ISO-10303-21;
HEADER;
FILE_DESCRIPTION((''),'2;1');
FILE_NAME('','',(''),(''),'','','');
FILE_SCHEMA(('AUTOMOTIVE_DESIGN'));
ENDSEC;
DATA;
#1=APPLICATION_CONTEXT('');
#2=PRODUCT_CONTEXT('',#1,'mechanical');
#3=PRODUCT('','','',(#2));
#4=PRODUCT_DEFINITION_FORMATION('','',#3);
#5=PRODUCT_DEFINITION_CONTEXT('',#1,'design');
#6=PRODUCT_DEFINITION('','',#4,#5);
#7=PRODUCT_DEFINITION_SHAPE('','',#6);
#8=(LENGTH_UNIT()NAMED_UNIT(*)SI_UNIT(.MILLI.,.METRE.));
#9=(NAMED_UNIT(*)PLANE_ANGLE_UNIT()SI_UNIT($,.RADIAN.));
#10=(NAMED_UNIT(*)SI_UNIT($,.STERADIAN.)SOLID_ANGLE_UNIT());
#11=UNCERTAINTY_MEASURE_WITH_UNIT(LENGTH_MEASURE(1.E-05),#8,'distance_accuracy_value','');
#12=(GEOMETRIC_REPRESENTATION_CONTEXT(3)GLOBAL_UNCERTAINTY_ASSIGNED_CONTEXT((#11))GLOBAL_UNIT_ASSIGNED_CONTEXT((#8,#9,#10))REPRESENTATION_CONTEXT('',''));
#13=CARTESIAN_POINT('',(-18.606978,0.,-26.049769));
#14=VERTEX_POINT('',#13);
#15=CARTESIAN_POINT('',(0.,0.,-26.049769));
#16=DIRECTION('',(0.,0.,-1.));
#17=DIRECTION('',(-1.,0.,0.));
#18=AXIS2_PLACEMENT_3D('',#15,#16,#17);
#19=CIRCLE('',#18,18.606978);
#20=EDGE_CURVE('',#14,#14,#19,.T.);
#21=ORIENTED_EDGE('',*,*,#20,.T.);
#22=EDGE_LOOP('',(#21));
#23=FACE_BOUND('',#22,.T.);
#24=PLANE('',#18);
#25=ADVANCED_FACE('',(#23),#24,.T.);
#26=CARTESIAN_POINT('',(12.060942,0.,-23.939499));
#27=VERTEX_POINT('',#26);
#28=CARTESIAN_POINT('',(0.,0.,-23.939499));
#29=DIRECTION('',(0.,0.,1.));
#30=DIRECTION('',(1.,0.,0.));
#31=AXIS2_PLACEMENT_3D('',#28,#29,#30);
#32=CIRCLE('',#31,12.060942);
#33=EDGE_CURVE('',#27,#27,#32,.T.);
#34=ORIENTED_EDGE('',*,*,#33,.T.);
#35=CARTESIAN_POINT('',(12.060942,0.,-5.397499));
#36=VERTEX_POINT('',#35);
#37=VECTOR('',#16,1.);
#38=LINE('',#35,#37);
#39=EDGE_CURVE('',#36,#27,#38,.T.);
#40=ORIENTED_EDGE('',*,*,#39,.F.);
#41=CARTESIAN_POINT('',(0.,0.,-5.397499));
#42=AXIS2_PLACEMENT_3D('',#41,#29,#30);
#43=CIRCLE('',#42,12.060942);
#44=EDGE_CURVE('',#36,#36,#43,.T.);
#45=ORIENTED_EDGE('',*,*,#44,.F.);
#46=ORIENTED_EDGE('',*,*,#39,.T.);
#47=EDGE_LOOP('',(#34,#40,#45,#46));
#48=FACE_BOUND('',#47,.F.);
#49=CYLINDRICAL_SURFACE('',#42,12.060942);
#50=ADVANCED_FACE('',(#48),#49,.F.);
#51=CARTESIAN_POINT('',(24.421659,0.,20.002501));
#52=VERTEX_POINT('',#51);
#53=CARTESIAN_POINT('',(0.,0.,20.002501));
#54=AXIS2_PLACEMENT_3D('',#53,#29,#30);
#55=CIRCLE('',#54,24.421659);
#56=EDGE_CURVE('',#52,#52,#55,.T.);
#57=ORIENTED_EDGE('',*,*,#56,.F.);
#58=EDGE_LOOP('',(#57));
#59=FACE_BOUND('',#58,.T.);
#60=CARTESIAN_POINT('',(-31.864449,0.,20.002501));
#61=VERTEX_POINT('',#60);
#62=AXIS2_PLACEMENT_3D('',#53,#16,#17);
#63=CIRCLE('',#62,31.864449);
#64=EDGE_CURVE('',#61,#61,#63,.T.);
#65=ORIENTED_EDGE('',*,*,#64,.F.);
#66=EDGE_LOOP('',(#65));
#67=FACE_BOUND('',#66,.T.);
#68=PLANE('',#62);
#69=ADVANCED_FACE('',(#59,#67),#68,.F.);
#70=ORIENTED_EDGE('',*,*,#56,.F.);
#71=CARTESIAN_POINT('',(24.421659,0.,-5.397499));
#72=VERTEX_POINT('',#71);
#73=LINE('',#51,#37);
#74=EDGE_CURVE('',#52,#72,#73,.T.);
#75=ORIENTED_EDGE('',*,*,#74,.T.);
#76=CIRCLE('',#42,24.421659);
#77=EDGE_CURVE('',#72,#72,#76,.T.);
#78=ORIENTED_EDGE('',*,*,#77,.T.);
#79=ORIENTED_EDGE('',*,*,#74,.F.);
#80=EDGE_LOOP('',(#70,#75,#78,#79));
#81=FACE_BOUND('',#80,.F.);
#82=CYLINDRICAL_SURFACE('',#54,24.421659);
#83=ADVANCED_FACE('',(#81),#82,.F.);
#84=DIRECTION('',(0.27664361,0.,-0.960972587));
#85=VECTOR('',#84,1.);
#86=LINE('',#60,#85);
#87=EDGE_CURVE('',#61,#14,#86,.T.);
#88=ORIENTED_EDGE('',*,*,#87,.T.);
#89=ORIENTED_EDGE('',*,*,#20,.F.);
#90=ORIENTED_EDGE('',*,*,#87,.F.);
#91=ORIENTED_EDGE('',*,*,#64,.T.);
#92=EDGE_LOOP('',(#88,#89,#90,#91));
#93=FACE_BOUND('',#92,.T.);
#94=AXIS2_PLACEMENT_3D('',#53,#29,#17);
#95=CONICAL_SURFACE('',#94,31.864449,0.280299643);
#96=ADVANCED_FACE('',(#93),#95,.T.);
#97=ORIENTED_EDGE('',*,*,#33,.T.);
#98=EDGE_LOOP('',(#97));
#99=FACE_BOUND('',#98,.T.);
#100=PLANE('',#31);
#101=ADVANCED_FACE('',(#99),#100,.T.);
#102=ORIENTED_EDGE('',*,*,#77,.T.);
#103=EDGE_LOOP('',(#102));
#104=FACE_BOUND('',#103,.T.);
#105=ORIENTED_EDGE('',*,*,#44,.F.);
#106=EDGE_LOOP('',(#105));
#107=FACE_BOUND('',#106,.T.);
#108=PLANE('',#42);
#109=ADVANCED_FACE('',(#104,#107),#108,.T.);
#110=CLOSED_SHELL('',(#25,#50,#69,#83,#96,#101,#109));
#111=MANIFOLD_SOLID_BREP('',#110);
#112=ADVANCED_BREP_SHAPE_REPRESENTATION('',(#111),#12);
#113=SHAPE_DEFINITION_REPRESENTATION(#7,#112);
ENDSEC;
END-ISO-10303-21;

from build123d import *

# Parameters (mm, degrees)
F2_R     = 24.421659
F3_DEPTH = 25.4
F4_R     = 12.060942
F5_DEPTH = 18.542


with BuildPart() as f1:
    # F0 (on Front) → F1 (revolve)
    with BuildSketch(Plane.XZ):
        Polygon((0, -26.049769), (0, 20.002501), (-31.864449, 20.002501), (-18.606978, -26.049769), align=None)
    revolve(axis=Axis((0, 0, -3.023634), (0, 0, -1)))

    # F2 (on face) → F3 (cut)
    with BuildSketch(Plane.XY.offset(20.002501)):
        Circle(F2_R)
    extrude(amount=-F3_DEPTH, mode=Mode.SUBTRACT)

    # F4 (on face) → F5 (cut)
    with BuildSketch(Plane.XY.offset(-5.397499)):
        Circle(F4_R)
    extrude(amount=-F5_DEPTH, mode=Mode.SUBTRACT)


solid = f1.part
